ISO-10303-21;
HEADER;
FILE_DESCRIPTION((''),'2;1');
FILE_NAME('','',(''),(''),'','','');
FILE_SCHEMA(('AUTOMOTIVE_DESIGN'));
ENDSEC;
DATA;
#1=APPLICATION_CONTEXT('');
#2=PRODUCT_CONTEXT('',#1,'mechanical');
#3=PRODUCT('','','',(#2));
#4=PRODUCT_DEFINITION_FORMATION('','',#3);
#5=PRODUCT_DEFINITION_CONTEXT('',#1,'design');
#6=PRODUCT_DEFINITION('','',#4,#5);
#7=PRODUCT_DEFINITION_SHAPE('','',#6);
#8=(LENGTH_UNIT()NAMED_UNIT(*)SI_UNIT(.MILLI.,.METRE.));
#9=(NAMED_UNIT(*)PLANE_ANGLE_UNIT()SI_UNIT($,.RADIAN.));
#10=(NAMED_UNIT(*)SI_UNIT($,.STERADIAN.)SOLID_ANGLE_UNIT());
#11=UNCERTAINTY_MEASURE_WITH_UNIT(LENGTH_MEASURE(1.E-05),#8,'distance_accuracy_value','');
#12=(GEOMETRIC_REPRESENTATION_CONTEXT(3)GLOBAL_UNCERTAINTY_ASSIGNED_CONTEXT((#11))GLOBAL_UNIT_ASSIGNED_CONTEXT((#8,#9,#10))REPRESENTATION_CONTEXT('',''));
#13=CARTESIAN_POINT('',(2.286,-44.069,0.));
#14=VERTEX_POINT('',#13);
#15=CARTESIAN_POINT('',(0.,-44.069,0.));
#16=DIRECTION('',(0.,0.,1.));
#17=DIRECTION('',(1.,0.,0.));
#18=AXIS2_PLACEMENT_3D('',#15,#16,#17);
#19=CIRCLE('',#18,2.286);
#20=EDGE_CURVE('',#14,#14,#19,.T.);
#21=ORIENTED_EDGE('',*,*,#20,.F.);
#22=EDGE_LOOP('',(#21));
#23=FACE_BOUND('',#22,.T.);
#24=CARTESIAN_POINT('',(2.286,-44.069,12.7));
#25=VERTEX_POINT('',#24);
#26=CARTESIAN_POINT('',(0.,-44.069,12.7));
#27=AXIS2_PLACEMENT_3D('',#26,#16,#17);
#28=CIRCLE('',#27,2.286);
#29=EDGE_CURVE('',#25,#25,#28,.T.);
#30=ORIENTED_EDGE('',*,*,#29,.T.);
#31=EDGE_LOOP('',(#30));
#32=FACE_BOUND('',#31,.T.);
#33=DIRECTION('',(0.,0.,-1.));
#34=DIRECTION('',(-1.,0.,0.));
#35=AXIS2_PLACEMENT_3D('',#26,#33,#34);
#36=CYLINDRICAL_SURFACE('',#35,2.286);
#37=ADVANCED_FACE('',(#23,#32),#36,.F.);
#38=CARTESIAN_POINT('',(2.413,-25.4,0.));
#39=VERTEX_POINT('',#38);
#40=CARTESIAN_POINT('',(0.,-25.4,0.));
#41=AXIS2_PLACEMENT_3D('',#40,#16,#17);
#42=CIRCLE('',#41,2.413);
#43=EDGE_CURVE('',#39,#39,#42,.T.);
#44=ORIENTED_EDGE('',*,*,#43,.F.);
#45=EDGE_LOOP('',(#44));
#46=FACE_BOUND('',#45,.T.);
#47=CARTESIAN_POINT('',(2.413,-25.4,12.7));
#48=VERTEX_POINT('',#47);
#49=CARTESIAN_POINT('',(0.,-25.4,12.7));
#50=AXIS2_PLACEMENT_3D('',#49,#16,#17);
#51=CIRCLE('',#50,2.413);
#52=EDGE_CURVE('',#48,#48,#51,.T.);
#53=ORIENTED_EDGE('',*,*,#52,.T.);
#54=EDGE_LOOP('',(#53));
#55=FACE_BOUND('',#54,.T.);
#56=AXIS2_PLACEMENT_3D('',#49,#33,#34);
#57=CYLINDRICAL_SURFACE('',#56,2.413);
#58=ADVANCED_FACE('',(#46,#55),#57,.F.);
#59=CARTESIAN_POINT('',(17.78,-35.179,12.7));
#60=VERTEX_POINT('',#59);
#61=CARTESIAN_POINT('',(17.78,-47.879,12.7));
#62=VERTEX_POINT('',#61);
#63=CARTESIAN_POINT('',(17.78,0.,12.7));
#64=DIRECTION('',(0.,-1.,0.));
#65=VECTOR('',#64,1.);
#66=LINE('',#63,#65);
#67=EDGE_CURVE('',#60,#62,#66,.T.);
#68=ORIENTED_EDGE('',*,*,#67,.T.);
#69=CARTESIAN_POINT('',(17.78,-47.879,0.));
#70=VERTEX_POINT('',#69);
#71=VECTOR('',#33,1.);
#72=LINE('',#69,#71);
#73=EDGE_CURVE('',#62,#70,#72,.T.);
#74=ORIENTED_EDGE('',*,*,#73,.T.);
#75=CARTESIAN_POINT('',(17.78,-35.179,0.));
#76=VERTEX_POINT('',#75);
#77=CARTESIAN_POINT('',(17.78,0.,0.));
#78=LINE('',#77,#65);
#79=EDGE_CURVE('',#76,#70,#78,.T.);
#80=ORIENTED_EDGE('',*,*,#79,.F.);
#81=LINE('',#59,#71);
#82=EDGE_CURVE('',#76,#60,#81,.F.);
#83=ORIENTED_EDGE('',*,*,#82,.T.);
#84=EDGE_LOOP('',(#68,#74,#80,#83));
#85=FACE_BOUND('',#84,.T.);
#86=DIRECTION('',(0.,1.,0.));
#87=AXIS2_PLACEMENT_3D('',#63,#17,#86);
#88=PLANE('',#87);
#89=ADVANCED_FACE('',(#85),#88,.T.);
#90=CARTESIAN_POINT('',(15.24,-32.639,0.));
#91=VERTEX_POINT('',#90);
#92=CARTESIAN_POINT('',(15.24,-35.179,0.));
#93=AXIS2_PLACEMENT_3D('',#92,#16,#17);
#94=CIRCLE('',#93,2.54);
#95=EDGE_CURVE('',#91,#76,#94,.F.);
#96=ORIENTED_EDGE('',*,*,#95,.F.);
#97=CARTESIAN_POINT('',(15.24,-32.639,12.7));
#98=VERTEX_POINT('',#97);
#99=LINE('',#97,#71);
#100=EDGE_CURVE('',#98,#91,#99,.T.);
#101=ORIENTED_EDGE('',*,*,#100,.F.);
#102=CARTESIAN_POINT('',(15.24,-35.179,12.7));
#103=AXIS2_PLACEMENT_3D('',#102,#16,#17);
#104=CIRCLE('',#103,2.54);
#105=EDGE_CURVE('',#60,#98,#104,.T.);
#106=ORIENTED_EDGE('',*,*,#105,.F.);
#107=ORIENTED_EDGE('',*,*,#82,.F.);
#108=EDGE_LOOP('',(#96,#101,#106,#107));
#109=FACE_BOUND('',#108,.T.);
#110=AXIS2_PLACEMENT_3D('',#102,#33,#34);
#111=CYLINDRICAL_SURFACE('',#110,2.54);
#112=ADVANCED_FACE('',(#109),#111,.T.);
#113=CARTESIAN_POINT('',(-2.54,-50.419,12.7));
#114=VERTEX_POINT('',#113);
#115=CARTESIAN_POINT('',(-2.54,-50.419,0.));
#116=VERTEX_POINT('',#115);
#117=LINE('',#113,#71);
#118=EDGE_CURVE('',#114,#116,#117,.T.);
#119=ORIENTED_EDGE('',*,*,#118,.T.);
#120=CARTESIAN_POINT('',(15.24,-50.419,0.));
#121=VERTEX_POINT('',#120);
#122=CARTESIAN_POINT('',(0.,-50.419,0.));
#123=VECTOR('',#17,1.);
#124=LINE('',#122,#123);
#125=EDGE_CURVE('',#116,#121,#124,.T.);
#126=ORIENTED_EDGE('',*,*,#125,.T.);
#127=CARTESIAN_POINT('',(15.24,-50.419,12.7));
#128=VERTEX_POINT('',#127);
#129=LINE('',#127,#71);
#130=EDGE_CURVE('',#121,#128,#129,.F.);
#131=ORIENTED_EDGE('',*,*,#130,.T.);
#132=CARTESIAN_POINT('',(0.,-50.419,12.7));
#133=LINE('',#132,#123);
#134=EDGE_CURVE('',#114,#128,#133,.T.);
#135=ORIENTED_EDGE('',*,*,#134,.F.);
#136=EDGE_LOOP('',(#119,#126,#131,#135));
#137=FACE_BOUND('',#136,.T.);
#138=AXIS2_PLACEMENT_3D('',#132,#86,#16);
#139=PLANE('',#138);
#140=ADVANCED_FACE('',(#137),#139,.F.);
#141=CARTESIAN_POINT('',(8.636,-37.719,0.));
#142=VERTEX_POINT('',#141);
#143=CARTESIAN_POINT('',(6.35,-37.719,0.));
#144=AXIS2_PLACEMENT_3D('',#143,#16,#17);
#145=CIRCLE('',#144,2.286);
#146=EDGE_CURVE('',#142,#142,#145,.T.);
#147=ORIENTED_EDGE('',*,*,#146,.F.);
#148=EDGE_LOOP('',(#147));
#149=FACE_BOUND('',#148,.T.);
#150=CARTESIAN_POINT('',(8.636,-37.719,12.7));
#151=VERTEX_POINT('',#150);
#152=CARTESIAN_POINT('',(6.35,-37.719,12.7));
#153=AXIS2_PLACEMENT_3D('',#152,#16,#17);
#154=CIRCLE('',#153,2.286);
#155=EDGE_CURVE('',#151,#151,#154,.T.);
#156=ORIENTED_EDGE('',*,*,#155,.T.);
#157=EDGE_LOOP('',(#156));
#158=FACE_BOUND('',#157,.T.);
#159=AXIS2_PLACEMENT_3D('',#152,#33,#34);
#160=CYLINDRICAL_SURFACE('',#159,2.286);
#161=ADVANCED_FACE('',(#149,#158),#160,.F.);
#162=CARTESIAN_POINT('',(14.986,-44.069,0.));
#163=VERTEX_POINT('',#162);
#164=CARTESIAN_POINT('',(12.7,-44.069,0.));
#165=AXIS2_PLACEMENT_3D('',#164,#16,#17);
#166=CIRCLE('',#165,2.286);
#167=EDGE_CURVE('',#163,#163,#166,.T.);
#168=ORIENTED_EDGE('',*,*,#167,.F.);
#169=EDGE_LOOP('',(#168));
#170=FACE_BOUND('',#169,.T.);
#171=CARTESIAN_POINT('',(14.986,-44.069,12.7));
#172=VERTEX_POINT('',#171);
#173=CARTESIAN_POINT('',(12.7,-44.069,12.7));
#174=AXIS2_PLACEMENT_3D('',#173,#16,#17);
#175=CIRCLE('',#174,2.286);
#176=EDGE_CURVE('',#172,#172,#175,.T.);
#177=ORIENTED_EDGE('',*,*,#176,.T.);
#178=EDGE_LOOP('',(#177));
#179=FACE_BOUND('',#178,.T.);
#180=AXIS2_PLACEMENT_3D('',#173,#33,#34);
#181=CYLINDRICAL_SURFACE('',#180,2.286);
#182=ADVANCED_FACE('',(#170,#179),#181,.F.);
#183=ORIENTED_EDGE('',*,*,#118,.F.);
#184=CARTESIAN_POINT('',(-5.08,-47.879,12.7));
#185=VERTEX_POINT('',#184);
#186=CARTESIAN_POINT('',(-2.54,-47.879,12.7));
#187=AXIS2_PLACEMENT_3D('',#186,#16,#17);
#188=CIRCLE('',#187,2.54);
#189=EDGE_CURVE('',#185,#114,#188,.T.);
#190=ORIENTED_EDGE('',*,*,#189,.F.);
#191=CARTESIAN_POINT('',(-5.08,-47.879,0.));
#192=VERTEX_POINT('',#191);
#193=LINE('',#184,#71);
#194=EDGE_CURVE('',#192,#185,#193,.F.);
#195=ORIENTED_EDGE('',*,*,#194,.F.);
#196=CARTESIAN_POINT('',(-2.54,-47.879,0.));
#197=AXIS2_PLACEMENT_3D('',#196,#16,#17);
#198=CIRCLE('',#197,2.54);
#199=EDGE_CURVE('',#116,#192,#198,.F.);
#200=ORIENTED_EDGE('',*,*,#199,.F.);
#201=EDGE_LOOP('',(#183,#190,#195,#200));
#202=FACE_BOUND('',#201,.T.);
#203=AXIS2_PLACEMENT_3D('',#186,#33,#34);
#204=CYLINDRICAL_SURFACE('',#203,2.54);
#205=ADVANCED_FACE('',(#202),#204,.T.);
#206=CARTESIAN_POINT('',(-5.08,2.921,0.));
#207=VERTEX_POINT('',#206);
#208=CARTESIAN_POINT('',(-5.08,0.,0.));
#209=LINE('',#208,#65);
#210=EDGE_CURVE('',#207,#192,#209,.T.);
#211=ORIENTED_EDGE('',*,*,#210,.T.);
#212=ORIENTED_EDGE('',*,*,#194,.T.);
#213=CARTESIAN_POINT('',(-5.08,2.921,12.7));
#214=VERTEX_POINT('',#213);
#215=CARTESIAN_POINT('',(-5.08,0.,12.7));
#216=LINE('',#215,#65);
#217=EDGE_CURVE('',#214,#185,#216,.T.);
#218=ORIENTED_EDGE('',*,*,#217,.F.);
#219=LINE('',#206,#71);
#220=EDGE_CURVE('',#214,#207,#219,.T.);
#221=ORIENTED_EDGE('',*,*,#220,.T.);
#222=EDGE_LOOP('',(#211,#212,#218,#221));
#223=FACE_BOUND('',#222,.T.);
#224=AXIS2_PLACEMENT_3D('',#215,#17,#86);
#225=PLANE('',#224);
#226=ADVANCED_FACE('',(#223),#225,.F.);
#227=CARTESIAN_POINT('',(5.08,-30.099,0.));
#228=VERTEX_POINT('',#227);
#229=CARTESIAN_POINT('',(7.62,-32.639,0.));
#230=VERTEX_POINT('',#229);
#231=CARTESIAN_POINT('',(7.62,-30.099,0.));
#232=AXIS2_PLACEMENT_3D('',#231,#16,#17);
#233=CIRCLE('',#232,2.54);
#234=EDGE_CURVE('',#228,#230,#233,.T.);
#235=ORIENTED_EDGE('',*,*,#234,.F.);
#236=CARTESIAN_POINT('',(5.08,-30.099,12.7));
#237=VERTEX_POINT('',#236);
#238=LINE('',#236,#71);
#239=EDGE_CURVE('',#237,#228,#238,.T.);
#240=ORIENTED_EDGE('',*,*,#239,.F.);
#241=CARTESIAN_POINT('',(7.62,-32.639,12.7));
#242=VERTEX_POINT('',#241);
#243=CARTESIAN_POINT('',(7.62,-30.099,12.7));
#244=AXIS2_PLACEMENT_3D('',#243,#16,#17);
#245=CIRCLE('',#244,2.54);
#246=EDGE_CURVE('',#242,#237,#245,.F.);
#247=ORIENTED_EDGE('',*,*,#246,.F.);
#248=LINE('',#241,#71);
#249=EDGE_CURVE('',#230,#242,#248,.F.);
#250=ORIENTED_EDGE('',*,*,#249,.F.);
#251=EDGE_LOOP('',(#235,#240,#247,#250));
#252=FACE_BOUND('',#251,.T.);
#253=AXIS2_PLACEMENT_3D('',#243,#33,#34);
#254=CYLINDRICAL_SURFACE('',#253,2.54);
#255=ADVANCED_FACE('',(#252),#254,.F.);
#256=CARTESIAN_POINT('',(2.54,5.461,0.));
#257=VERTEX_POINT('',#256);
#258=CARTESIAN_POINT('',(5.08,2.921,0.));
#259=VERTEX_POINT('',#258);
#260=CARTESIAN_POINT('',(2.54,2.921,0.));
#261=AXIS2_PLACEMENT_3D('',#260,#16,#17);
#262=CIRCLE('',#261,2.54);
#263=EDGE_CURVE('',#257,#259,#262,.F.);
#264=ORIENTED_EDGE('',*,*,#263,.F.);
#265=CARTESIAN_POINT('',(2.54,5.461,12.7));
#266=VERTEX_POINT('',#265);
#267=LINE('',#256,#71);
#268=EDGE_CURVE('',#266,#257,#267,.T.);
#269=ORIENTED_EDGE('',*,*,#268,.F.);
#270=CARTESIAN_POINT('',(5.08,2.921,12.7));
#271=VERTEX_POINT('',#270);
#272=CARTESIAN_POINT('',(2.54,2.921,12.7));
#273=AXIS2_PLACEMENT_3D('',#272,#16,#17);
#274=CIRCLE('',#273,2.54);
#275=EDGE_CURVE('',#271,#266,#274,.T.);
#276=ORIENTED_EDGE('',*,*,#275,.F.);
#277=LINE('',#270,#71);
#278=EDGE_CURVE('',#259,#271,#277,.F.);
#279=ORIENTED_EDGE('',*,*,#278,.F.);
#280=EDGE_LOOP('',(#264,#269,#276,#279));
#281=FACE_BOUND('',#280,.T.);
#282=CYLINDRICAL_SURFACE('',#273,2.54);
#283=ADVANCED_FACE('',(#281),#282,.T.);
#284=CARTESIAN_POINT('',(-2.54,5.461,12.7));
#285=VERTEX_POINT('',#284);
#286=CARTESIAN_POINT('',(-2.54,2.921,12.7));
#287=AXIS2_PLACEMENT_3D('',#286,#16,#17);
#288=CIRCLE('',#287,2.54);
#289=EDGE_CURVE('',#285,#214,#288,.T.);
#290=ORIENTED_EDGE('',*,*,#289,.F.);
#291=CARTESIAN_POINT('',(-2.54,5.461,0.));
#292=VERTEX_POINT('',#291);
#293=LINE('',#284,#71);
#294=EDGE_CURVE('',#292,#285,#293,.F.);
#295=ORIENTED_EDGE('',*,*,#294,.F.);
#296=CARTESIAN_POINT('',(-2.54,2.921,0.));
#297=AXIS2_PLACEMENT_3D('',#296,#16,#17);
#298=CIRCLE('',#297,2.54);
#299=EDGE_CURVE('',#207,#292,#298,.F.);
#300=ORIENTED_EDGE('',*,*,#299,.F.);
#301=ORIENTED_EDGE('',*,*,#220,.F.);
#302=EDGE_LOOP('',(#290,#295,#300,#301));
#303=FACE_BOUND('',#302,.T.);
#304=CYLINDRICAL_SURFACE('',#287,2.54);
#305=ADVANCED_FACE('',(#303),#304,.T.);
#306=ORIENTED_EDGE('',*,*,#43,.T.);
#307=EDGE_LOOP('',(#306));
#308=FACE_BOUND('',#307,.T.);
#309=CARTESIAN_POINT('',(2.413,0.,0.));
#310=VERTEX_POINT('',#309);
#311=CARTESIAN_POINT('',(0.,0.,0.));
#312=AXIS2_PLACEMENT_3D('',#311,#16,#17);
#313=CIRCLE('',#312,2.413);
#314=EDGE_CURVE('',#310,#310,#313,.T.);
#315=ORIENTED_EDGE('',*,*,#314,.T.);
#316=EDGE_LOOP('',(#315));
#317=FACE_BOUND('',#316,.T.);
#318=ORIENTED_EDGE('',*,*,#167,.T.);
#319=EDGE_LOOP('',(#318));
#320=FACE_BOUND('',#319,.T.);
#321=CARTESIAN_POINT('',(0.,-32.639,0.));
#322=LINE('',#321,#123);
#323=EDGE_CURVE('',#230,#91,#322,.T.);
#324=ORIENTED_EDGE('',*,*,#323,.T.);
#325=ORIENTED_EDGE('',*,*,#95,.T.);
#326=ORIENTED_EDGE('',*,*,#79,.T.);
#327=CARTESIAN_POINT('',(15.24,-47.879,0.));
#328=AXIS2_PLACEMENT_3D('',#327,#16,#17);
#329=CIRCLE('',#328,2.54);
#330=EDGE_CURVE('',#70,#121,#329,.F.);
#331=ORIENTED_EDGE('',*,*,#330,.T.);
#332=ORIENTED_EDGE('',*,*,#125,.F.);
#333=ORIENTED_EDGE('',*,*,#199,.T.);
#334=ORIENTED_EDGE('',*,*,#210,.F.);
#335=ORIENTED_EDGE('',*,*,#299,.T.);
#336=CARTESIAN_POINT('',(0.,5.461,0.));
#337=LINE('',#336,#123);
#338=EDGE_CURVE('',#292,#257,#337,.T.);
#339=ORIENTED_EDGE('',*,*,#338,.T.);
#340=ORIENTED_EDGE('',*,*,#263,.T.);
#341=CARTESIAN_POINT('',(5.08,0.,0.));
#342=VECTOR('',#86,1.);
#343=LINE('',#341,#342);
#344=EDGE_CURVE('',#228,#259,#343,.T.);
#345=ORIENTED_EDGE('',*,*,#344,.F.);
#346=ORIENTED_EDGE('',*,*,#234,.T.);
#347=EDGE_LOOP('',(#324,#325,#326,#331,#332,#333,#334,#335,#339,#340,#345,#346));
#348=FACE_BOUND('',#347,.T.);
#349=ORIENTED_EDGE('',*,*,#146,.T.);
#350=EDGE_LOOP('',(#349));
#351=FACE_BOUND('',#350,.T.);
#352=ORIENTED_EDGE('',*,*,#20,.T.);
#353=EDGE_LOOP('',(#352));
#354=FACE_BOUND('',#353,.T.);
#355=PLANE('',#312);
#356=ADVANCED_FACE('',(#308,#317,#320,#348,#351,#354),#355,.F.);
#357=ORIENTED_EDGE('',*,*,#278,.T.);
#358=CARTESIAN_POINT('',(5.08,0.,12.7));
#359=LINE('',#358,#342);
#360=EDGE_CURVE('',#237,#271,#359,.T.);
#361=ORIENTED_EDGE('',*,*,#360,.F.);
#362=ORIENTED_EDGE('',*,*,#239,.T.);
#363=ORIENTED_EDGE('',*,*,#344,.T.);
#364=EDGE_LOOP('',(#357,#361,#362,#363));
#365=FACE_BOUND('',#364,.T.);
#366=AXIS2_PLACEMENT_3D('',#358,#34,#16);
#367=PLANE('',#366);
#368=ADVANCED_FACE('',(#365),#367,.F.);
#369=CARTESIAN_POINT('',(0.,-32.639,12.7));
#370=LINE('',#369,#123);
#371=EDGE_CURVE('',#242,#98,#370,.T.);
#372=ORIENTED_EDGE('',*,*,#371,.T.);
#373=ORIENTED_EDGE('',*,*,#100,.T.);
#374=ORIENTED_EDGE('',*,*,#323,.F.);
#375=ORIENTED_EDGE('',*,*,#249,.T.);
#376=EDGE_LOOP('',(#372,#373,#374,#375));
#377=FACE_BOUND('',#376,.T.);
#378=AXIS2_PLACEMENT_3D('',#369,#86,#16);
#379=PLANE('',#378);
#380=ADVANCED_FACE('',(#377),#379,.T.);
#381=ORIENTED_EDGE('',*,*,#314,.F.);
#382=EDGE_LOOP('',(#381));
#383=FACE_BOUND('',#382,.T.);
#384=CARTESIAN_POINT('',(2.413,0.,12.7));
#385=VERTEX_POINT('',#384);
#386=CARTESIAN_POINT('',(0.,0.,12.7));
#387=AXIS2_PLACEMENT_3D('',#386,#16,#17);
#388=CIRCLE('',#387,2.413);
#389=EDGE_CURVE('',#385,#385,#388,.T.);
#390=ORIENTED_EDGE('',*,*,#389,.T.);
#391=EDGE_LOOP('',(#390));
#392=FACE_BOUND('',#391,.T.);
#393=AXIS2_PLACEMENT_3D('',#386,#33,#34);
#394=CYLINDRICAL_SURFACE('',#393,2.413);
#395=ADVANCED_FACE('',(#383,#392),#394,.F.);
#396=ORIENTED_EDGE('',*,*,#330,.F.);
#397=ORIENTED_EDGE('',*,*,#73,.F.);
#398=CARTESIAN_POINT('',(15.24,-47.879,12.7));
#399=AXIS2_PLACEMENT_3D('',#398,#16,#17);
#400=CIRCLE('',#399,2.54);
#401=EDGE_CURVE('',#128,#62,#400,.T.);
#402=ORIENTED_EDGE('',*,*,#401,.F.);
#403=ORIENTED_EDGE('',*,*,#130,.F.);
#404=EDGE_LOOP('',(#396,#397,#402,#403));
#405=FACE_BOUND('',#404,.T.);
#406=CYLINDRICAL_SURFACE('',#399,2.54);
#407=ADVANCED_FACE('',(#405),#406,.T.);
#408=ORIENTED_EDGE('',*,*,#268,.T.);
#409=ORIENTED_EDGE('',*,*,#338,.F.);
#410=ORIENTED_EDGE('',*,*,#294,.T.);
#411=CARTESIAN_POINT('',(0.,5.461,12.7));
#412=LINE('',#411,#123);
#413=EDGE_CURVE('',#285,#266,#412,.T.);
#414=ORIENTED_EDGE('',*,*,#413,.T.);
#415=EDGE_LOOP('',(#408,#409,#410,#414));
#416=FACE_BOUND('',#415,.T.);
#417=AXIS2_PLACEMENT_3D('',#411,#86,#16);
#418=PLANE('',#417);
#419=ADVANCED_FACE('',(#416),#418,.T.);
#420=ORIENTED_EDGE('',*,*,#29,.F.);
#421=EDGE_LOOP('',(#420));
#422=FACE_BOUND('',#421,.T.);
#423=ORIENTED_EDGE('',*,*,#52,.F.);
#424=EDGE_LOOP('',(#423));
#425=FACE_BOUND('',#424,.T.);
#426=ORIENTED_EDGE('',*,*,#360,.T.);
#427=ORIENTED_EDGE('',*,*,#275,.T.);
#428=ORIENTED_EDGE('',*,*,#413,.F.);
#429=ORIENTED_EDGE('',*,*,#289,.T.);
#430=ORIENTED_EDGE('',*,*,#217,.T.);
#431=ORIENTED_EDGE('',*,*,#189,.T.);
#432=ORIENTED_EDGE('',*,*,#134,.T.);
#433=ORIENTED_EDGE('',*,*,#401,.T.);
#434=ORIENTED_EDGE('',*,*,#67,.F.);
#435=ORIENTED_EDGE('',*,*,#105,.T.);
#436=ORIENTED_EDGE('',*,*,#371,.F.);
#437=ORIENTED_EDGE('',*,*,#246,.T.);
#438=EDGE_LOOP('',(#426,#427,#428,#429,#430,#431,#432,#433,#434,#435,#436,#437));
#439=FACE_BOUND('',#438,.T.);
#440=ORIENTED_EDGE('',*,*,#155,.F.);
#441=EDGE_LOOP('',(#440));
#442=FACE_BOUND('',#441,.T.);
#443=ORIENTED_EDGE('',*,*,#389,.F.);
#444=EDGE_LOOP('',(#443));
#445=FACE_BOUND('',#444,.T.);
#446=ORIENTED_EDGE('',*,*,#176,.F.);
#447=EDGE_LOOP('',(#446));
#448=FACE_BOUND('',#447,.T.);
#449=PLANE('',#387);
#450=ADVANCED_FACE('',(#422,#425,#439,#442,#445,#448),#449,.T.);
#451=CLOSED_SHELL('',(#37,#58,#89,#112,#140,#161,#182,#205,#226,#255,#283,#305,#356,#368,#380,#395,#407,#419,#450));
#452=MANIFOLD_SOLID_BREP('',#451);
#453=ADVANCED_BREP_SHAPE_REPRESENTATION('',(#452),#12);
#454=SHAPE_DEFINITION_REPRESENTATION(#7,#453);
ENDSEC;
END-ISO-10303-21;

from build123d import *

# Parameters (mm, degrees)
SKETCH1_W           = 10.16
SKETCH1_H           = 38.1
SKETCH1_R           = 2.413
SKETCH1_R_2         = 2.286
BOSS_EXTRUDE1_DEPTH = 12.7
FILLET1_R           = 2.54


with BuildPart() as part:
    # Sketch1 → Boss-Extrude1 (new body)
    # profile 1 of 2: a face of its own
    with BuildSketch(Plane.XY):
        with Locations((0, -13.589)):
            Rectangle(SKETCH1_W, SKETCH1_H)
        with Locations((0, -25.4)):
            Circle(SKETCH1_R, mode=Mode.SUBTRACT)
        Circle(SKETCH1_R, mode=Mode.SUBTRACT)
    # profile 2 of 2: a face of its own
    with BuildSketch(Plane.XY):
        Polygon((5.08, -32.639), (-5.08, -32.639), (-5.08, -50.419), (17.78, -50.419), (17.78, -32.639), align=None)
        with Locations((0, -44.069)):
            Circle(SKETCH1_R_2, mode=Mode.SUBTRACT)
        with Locations((6.35, -37.719)):
            Circle(SKETCH1_R_2, mode=Mode.SUBTRACT)
        with Locations((12.7, -44.069)):
            Circle(SKETCH1_R_2, mode=Mode.SUBTRACT)
    extrude(amount=BOSS_EXTRUDE1_DEPTH)

    # Fillet1
    fillet1_edges = [part.edges().sort_by_distance(p)[0] for p in [
        (17.78, -50.419, 6.35),
        (-5.08, -50.419, 6.35),
        (-5.08, 5.461, 6.35),
        (5.08, 5.461, 6.35),
        (5.08, -32.639, 6.35),
        (17.78, -32.639, 6.35),
    ]]
    fillet(fillet1_edges, radius=FILLET1_R)


solid = part.part
